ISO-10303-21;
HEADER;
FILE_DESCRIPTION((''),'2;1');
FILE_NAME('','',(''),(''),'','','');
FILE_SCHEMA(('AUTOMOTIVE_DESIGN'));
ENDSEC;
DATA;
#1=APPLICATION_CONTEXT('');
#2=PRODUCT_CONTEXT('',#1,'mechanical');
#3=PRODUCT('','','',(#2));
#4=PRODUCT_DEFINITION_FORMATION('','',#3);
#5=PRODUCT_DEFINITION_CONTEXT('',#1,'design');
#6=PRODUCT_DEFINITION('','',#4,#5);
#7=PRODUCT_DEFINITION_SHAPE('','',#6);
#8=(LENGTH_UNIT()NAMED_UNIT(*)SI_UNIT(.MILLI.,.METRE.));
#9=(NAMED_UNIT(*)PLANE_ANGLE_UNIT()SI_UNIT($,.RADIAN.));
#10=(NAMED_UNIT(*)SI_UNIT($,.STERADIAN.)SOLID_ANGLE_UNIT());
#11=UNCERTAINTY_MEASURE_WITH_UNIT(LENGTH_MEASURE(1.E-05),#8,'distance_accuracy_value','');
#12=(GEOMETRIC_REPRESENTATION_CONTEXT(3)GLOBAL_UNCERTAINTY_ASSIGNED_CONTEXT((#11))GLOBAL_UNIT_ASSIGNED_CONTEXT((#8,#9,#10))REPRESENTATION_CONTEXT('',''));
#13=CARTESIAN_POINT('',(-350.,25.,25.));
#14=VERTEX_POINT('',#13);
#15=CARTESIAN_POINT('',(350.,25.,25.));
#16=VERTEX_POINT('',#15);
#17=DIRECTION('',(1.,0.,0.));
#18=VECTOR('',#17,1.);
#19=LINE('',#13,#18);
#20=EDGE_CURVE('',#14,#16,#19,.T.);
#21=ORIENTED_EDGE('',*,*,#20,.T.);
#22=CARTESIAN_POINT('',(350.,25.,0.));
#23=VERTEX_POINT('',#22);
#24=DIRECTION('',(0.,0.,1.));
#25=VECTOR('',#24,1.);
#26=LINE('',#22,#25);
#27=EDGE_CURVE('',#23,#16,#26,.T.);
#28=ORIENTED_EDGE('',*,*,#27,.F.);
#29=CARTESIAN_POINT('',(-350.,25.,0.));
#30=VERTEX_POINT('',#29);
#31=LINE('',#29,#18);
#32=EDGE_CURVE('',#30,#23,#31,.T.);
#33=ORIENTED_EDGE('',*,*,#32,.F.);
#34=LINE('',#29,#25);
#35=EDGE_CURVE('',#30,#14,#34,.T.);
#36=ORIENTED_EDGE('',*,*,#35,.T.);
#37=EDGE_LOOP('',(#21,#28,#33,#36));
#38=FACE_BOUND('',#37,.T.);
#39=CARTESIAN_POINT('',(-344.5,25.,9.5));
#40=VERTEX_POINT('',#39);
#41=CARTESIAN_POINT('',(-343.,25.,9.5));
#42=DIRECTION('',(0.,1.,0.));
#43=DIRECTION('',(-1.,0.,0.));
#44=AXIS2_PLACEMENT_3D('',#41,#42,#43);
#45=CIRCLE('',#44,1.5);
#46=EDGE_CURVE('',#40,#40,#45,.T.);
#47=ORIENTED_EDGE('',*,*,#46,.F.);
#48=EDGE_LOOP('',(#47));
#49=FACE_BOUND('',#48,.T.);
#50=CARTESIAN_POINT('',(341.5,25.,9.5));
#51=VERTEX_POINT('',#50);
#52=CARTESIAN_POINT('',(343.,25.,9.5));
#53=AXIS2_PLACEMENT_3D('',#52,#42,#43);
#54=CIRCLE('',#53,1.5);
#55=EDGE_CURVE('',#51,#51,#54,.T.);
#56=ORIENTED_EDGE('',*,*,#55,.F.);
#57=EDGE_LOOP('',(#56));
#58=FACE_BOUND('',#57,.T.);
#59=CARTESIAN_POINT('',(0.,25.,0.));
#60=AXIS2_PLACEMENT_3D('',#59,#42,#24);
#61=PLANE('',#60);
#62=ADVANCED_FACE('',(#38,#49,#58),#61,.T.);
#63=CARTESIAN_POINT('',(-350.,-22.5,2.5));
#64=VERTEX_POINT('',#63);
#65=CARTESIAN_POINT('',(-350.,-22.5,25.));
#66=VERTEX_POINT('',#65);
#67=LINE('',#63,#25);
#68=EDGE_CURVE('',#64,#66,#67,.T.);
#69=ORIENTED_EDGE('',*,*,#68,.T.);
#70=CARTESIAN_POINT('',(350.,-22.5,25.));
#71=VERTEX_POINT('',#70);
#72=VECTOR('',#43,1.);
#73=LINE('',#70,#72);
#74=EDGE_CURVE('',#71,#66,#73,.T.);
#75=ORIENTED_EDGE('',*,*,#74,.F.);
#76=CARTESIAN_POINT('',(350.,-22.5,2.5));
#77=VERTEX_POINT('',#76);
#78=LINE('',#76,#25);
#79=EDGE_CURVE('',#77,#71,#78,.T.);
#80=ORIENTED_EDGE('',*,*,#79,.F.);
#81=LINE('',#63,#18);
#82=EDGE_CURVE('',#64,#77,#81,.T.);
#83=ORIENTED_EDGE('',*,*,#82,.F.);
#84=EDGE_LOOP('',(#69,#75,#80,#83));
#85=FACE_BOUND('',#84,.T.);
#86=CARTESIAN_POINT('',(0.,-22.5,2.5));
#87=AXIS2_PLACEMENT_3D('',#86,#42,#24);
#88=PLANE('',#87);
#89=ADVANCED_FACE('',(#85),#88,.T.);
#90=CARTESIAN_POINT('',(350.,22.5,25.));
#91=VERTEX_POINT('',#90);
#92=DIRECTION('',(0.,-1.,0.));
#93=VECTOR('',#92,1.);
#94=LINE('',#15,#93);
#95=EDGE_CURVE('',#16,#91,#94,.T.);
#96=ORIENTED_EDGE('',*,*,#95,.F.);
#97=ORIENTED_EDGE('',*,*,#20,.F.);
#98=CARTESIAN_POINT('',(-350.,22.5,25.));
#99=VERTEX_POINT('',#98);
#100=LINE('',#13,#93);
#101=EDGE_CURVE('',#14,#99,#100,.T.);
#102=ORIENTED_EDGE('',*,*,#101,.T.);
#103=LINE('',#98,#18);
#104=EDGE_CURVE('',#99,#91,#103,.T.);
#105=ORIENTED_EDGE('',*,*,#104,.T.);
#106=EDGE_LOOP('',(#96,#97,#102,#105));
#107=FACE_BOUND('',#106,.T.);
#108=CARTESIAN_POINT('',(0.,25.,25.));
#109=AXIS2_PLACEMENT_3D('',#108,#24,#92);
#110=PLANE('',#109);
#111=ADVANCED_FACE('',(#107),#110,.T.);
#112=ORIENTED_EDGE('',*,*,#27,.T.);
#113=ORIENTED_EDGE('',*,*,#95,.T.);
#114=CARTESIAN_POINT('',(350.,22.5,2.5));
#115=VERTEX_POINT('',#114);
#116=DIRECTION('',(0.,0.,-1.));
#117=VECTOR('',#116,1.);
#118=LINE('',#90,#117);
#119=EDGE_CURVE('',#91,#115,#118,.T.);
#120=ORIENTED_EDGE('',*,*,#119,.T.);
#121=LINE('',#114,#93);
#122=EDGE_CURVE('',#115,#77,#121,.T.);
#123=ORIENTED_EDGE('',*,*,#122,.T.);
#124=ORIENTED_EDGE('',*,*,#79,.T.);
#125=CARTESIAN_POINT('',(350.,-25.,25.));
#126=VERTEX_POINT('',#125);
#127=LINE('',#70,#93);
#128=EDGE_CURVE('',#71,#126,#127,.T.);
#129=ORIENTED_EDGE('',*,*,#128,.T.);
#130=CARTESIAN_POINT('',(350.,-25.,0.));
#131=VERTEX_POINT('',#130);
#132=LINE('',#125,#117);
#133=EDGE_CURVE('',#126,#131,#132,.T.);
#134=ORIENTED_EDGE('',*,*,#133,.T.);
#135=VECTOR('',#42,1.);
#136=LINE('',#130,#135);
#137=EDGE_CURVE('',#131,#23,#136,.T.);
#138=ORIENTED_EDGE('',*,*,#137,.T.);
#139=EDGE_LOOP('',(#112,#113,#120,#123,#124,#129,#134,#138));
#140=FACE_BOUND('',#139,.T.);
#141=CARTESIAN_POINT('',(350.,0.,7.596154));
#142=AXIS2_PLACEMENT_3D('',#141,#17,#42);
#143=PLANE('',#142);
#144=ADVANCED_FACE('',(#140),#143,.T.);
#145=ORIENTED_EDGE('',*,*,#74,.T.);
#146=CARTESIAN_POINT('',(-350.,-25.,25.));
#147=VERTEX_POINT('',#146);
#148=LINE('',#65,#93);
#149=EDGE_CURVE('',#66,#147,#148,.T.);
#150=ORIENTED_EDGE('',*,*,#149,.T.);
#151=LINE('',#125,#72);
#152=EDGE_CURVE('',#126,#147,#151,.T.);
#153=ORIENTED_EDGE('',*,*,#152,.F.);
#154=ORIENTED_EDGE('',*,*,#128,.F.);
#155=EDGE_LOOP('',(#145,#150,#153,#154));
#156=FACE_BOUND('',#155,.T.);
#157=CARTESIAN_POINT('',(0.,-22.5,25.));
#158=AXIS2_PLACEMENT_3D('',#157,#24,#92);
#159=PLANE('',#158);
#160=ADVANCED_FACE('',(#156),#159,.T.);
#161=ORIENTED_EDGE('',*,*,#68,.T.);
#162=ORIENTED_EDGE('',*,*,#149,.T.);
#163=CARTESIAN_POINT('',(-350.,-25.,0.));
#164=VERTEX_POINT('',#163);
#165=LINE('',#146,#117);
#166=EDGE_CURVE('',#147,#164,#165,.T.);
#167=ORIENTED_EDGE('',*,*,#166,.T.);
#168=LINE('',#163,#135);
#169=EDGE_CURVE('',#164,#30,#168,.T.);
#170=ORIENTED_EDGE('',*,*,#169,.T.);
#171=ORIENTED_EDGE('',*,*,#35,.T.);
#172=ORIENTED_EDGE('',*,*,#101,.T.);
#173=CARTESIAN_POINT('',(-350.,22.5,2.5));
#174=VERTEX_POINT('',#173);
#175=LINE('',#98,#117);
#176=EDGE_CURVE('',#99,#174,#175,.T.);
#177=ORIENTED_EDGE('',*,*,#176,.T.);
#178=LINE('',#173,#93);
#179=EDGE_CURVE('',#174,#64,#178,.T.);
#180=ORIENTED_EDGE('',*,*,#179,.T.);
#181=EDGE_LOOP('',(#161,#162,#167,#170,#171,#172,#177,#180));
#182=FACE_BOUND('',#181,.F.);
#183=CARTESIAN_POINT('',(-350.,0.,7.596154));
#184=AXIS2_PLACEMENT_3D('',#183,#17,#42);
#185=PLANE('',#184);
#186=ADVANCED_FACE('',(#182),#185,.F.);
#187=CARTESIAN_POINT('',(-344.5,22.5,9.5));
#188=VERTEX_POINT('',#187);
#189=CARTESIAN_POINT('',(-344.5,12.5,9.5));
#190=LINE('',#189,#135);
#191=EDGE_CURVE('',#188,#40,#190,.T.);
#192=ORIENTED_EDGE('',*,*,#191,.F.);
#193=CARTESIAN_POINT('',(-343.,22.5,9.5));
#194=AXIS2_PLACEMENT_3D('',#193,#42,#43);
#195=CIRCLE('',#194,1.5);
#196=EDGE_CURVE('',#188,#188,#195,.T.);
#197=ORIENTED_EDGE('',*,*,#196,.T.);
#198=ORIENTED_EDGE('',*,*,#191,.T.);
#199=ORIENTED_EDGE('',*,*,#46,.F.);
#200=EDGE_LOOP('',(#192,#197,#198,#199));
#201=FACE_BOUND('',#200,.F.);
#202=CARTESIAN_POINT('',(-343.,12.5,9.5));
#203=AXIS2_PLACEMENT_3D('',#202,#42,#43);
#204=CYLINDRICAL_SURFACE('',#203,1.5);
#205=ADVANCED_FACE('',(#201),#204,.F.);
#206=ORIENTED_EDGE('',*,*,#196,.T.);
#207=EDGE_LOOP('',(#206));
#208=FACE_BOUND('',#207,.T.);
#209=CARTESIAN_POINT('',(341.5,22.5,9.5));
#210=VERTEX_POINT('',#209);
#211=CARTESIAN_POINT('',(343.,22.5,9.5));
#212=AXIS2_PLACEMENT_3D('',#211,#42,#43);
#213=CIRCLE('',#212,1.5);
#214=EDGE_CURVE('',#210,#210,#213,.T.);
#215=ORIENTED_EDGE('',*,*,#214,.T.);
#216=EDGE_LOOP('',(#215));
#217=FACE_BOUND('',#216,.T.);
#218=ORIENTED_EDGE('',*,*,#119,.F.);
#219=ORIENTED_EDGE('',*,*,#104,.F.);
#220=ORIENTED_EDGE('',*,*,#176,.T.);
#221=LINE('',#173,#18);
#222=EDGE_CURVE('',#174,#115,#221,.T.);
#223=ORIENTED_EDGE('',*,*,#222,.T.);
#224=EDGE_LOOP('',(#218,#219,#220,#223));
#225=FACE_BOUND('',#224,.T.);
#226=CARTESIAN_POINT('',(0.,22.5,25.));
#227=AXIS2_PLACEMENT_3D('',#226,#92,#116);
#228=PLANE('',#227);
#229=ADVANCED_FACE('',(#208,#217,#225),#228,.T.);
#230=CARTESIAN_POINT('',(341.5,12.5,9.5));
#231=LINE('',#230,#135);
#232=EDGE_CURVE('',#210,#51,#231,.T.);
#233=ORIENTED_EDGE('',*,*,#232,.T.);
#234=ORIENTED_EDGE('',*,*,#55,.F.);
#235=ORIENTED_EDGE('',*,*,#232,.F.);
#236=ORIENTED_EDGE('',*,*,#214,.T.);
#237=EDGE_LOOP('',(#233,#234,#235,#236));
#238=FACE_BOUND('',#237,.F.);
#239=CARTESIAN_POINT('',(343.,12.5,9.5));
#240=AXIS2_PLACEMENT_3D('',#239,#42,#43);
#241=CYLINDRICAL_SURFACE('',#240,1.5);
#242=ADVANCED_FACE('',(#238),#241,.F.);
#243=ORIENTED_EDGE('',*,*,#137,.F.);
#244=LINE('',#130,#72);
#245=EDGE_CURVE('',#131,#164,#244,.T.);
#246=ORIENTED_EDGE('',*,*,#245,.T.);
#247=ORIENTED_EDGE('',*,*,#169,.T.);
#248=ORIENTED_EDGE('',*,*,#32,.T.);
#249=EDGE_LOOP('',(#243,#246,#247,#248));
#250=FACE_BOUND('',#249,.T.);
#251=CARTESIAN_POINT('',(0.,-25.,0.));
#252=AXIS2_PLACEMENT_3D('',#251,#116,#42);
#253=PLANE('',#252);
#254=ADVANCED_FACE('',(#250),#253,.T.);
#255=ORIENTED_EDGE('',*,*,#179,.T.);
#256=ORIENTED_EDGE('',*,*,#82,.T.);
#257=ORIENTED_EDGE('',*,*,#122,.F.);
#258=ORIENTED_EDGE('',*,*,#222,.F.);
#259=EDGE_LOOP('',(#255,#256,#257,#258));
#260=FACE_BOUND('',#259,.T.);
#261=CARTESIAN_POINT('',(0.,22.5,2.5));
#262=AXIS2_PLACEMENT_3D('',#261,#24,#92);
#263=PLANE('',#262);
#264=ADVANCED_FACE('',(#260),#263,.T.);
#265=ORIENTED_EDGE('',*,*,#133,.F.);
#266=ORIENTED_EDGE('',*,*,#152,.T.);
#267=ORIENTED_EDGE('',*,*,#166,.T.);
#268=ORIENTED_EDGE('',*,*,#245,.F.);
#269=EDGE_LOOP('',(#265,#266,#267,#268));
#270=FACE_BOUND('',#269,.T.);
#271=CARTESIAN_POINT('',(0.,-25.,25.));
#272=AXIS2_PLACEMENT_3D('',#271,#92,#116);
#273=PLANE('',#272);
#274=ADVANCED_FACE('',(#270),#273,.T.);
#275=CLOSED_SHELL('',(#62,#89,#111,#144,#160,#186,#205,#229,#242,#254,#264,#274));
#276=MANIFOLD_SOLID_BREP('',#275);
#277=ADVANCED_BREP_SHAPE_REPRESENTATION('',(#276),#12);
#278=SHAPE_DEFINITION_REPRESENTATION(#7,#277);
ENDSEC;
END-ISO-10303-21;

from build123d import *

# Parameters (mm, degrees)
F1_DEPTH      = 350
F1_DEPTH_BACK = 350
F3_D          = 3
F3_DEPTH      = 10


with BuildPart() as f1:
    # F0 (on Right) → F1 (new body, two sides)
    with BuildSketch(Plane.YZ) as f1_sk:
        Polygon((-25, 0), (25, 0), (25, 25), (22.5, 25), (22.5, 2.5), (-22.5, 2.5), (-22.5, 25), (-25, 25), align=None)
    extrude(amount=F1_DEPTH)
    extrude(f1_sk.sketch, amount=-F1_DEPTH_BACK)

    # F3
    with Locations(Plane.XZ.offset(-22.5)):
        with Locations((-343, 9.5), (343, 9.5)):
            Hole(F3_D / 2, depth=F3_DEPTH)


solid = f1.part
